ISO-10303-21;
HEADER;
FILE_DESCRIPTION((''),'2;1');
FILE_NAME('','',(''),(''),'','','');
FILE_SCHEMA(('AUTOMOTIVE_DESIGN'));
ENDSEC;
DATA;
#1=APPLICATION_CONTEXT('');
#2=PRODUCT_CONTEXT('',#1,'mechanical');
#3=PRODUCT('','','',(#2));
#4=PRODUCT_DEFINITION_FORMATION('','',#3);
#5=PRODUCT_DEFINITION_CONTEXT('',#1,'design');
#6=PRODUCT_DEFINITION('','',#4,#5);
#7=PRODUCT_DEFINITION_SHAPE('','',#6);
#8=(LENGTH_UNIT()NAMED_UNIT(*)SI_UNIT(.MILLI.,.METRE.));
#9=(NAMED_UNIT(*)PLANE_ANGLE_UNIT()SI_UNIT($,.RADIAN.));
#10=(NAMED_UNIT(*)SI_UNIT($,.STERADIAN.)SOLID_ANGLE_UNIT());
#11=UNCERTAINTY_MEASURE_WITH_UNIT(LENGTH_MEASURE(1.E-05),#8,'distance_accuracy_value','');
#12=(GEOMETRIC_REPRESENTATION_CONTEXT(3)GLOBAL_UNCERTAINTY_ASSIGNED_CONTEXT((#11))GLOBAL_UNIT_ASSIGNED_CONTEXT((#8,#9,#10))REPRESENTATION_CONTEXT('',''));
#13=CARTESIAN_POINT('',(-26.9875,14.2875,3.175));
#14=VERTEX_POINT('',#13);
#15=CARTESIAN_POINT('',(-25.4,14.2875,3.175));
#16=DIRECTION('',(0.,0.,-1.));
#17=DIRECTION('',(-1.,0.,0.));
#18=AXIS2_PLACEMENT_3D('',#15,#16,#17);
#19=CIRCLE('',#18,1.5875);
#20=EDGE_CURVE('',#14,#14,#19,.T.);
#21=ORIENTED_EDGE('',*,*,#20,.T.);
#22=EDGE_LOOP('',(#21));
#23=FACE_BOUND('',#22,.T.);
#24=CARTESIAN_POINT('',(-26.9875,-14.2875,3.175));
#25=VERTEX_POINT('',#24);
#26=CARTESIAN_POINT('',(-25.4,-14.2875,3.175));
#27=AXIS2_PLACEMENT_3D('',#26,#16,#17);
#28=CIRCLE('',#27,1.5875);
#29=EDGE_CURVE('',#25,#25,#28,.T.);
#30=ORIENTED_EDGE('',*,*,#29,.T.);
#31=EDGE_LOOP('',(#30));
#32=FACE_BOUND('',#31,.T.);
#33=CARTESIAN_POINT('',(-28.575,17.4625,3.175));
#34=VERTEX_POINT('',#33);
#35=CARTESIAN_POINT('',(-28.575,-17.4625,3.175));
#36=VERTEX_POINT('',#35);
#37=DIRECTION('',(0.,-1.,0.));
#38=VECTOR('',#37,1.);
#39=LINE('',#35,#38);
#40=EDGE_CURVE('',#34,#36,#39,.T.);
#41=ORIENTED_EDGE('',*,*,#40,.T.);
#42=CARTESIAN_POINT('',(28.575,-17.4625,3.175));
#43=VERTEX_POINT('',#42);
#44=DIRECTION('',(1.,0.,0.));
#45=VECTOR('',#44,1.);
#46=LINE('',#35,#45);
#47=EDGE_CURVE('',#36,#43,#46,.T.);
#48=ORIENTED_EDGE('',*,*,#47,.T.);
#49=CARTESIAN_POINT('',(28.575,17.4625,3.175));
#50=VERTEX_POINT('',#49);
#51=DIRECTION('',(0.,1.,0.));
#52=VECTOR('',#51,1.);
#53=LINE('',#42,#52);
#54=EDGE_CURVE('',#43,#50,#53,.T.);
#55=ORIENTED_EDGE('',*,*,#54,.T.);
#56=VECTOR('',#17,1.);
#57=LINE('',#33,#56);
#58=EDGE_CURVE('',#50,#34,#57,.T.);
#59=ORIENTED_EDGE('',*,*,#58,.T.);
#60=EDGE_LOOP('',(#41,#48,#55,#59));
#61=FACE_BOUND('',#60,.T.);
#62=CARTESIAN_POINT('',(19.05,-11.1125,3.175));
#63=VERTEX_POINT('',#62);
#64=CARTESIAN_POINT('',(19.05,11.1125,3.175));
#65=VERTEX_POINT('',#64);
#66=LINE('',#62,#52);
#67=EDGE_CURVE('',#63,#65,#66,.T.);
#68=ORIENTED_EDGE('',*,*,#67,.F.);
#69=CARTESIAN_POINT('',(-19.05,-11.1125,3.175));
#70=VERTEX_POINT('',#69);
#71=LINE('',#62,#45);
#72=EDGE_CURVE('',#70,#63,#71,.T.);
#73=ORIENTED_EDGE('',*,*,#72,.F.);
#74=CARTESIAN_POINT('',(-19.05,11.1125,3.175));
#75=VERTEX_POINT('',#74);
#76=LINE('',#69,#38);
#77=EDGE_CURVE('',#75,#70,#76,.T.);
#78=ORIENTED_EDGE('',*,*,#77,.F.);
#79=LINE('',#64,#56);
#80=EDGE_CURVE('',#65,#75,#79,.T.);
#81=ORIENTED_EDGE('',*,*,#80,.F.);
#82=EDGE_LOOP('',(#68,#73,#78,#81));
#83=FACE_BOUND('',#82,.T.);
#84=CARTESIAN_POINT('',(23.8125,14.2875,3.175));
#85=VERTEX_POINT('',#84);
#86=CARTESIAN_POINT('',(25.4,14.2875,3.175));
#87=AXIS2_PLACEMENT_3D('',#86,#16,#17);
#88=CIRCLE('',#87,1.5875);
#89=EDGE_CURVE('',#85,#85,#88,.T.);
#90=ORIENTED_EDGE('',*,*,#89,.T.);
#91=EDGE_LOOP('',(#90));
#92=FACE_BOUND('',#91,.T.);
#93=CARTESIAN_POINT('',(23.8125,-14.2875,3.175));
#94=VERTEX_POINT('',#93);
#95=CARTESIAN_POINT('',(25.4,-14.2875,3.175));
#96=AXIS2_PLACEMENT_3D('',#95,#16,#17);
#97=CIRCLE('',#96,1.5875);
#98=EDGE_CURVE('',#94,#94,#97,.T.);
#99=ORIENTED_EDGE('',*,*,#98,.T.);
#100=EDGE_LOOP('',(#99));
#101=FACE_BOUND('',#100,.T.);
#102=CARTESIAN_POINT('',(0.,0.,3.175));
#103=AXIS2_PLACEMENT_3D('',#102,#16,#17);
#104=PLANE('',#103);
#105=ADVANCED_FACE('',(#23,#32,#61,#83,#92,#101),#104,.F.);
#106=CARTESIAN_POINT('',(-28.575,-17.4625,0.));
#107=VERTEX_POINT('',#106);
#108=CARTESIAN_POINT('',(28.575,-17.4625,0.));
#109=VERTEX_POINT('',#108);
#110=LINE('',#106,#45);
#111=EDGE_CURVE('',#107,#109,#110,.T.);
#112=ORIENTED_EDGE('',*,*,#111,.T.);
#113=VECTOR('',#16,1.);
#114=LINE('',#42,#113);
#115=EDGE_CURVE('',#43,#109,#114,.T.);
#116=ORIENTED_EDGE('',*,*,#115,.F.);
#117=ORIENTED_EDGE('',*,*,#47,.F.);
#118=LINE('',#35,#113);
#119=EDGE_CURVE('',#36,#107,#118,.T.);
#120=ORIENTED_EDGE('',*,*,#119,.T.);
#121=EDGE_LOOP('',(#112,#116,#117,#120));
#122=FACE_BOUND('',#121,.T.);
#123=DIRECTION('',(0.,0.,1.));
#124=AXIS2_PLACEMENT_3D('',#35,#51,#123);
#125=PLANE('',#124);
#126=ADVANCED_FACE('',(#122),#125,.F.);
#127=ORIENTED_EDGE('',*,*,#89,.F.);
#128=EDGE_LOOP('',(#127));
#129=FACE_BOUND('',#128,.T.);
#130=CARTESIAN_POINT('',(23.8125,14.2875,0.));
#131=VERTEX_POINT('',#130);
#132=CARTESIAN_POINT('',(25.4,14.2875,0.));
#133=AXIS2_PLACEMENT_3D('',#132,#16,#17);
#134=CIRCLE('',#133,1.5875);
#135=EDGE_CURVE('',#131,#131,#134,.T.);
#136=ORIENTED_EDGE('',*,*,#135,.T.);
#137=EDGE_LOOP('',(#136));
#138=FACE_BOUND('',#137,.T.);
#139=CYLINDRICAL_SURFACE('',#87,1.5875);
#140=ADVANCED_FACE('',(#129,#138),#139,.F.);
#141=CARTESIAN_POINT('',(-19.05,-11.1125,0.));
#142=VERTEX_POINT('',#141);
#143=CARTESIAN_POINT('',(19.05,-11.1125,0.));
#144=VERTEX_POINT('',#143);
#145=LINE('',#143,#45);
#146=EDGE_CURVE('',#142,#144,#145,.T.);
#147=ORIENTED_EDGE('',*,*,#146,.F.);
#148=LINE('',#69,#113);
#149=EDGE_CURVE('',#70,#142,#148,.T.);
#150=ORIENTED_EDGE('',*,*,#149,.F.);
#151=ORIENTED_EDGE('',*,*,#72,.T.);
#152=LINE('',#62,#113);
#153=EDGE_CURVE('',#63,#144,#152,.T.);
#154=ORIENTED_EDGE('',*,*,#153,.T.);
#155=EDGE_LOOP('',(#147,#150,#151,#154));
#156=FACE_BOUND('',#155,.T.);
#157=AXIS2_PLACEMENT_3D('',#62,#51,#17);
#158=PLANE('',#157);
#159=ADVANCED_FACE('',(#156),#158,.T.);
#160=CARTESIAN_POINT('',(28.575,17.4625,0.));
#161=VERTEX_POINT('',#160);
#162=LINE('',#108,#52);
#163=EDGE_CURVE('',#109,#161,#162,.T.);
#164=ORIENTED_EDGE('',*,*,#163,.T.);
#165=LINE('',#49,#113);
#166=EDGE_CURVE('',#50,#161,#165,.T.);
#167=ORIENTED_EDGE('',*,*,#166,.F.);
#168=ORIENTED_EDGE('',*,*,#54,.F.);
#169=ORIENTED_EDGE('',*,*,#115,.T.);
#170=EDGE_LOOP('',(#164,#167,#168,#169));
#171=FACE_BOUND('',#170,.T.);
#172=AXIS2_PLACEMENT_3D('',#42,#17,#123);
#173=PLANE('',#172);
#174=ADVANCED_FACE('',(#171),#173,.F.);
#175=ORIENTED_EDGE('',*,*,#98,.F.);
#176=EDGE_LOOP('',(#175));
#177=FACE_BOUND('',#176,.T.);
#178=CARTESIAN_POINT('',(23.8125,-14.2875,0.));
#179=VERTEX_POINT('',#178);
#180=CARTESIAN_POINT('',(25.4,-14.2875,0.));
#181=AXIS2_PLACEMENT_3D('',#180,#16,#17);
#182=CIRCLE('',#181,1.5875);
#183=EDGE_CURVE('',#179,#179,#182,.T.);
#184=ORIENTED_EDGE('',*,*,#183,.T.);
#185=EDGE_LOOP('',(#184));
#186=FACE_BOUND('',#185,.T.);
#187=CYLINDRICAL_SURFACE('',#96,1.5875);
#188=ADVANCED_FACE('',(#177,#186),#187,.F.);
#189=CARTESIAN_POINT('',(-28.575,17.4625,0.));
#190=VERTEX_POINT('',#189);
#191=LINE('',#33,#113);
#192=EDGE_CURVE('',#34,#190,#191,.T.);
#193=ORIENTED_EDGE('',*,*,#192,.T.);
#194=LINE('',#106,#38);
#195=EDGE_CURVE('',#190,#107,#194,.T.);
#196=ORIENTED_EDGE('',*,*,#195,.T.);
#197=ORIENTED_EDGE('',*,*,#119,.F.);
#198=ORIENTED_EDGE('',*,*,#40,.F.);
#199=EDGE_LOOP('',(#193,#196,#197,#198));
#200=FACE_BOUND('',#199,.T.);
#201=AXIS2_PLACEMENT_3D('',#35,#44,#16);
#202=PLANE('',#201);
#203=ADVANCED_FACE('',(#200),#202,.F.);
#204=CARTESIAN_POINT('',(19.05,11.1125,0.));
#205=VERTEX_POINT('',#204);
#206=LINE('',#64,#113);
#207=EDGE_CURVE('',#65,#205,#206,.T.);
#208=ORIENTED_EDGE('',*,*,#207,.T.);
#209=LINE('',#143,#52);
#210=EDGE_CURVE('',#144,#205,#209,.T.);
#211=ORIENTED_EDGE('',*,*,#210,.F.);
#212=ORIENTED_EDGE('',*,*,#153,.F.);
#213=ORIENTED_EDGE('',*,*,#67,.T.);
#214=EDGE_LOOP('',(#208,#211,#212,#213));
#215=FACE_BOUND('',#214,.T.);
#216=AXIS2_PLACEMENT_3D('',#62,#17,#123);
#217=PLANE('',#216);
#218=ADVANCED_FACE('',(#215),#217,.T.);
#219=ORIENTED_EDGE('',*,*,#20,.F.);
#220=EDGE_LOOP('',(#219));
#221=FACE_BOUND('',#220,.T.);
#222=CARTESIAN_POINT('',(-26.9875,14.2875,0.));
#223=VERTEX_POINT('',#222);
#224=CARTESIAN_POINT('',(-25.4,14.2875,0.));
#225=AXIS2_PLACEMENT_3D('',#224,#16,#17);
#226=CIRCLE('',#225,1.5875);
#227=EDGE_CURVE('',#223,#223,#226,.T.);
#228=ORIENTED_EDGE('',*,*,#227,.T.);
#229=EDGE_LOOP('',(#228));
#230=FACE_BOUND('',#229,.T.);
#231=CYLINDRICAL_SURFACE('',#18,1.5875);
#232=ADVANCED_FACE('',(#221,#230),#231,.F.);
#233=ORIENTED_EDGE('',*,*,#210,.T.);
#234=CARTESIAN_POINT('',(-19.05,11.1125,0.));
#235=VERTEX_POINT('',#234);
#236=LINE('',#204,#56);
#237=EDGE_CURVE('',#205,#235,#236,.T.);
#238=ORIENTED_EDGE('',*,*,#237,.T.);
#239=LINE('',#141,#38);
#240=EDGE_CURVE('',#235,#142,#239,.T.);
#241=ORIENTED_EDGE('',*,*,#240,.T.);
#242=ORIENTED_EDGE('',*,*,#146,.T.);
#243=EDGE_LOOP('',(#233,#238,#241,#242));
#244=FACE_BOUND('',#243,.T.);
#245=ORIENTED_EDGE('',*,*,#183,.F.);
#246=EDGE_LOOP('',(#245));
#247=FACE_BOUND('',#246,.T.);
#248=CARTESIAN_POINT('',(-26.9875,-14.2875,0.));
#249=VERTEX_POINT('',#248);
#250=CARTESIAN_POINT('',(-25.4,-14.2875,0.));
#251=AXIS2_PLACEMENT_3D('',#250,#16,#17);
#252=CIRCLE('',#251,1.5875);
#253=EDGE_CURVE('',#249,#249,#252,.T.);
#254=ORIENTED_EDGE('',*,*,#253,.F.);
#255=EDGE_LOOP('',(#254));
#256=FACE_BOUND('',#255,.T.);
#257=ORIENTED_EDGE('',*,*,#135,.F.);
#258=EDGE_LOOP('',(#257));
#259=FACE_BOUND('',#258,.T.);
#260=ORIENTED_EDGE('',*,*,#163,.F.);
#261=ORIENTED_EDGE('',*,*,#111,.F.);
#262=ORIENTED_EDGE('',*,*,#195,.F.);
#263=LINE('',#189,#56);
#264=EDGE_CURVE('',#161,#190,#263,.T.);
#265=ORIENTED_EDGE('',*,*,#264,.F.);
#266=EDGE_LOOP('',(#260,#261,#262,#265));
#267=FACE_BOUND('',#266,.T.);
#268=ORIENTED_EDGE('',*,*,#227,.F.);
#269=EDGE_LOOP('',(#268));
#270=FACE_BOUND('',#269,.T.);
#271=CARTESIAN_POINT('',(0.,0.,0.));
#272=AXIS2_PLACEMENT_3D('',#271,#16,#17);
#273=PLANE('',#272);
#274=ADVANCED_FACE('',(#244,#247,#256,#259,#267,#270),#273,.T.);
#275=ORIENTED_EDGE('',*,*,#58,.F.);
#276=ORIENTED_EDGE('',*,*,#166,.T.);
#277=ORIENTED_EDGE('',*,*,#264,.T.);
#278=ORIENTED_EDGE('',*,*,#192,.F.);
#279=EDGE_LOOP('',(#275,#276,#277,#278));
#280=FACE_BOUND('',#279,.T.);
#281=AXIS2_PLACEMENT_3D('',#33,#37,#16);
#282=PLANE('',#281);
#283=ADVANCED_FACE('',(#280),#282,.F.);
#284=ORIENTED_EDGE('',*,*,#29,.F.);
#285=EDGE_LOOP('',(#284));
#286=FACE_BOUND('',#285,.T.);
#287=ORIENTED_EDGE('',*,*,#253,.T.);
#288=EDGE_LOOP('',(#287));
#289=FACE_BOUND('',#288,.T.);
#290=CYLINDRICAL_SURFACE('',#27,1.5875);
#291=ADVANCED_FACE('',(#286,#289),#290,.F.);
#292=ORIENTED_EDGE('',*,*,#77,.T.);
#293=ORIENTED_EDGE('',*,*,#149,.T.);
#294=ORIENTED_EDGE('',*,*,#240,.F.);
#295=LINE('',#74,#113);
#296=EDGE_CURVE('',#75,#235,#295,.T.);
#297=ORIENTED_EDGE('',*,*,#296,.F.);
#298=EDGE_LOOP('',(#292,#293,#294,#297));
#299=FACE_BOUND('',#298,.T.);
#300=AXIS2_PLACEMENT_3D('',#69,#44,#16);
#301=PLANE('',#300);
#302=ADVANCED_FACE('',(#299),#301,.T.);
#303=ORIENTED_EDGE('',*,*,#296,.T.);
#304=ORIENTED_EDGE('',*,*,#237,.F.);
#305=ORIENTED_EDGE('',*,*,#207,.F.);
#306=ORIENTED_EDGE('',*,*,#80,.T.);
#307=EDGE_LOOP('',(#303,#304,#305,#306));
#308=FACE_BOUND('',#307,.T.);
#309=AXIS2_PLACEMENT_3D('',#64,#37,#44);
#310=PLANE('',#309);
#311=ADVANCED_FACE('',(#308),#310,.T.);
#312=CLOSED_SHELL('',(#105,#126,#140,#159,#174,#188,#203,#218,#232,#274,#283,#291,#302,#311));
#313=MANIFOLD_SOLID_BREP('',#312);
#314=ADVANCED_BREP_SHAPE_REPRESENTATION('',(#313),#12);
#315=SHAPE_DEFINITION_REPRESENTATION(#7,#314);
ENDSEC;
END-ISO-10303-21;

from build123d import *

# Parameters (mm, degrees)
SKETCH1_W           = 57.15
SKETCH1_H           = 34.925
SKETCH1_W_2         = 38.1
SKETCH1_H_2         = 22.225
BOSS_EXTRUDE1_DEPTH = 3.175
SKETCH2_R           = 1.5875
CUT_EXTRUDE1_DEPTH  = 3.175


with BuildPart() as part:
    # Sketch1 → Boss-Extrude1 (new body)
    with BuildSketch(Plane.XY):
        Rectangle(SKETCH1_W, SKETCH1_H)
        Rectangle(SKETCH1_W_2, SKETCH1_H_2, mode=Mode.SUBTRACT)
    extrude(amount=BOSS_EXTRUDE1_DEPTH)

    # Sketch2 → Cut-Extrude1 (cut)
    with BuildSketch(Plane(origin=(0, 0, 0), x_dir=(-1, 0, 0), z_dir=(0, 0, -1))):
        with Locations((-25.4, -14.2875)):
            Circle(SKETCH2_R)
        with Locations((-25.4, 14.2875)):
            Circle(SKETCH2_R)
        with Locations((25.4, 14.2875)):
            Circle(SKETCH2_R)
        with Locations((25.4, -14.2875)):
            Circle(SKETCH2_R)
    extrude(amount=-CUT_EXTRUDE1_DEPTH, mode=Mode.SUBTRACT)


solid = part.part
